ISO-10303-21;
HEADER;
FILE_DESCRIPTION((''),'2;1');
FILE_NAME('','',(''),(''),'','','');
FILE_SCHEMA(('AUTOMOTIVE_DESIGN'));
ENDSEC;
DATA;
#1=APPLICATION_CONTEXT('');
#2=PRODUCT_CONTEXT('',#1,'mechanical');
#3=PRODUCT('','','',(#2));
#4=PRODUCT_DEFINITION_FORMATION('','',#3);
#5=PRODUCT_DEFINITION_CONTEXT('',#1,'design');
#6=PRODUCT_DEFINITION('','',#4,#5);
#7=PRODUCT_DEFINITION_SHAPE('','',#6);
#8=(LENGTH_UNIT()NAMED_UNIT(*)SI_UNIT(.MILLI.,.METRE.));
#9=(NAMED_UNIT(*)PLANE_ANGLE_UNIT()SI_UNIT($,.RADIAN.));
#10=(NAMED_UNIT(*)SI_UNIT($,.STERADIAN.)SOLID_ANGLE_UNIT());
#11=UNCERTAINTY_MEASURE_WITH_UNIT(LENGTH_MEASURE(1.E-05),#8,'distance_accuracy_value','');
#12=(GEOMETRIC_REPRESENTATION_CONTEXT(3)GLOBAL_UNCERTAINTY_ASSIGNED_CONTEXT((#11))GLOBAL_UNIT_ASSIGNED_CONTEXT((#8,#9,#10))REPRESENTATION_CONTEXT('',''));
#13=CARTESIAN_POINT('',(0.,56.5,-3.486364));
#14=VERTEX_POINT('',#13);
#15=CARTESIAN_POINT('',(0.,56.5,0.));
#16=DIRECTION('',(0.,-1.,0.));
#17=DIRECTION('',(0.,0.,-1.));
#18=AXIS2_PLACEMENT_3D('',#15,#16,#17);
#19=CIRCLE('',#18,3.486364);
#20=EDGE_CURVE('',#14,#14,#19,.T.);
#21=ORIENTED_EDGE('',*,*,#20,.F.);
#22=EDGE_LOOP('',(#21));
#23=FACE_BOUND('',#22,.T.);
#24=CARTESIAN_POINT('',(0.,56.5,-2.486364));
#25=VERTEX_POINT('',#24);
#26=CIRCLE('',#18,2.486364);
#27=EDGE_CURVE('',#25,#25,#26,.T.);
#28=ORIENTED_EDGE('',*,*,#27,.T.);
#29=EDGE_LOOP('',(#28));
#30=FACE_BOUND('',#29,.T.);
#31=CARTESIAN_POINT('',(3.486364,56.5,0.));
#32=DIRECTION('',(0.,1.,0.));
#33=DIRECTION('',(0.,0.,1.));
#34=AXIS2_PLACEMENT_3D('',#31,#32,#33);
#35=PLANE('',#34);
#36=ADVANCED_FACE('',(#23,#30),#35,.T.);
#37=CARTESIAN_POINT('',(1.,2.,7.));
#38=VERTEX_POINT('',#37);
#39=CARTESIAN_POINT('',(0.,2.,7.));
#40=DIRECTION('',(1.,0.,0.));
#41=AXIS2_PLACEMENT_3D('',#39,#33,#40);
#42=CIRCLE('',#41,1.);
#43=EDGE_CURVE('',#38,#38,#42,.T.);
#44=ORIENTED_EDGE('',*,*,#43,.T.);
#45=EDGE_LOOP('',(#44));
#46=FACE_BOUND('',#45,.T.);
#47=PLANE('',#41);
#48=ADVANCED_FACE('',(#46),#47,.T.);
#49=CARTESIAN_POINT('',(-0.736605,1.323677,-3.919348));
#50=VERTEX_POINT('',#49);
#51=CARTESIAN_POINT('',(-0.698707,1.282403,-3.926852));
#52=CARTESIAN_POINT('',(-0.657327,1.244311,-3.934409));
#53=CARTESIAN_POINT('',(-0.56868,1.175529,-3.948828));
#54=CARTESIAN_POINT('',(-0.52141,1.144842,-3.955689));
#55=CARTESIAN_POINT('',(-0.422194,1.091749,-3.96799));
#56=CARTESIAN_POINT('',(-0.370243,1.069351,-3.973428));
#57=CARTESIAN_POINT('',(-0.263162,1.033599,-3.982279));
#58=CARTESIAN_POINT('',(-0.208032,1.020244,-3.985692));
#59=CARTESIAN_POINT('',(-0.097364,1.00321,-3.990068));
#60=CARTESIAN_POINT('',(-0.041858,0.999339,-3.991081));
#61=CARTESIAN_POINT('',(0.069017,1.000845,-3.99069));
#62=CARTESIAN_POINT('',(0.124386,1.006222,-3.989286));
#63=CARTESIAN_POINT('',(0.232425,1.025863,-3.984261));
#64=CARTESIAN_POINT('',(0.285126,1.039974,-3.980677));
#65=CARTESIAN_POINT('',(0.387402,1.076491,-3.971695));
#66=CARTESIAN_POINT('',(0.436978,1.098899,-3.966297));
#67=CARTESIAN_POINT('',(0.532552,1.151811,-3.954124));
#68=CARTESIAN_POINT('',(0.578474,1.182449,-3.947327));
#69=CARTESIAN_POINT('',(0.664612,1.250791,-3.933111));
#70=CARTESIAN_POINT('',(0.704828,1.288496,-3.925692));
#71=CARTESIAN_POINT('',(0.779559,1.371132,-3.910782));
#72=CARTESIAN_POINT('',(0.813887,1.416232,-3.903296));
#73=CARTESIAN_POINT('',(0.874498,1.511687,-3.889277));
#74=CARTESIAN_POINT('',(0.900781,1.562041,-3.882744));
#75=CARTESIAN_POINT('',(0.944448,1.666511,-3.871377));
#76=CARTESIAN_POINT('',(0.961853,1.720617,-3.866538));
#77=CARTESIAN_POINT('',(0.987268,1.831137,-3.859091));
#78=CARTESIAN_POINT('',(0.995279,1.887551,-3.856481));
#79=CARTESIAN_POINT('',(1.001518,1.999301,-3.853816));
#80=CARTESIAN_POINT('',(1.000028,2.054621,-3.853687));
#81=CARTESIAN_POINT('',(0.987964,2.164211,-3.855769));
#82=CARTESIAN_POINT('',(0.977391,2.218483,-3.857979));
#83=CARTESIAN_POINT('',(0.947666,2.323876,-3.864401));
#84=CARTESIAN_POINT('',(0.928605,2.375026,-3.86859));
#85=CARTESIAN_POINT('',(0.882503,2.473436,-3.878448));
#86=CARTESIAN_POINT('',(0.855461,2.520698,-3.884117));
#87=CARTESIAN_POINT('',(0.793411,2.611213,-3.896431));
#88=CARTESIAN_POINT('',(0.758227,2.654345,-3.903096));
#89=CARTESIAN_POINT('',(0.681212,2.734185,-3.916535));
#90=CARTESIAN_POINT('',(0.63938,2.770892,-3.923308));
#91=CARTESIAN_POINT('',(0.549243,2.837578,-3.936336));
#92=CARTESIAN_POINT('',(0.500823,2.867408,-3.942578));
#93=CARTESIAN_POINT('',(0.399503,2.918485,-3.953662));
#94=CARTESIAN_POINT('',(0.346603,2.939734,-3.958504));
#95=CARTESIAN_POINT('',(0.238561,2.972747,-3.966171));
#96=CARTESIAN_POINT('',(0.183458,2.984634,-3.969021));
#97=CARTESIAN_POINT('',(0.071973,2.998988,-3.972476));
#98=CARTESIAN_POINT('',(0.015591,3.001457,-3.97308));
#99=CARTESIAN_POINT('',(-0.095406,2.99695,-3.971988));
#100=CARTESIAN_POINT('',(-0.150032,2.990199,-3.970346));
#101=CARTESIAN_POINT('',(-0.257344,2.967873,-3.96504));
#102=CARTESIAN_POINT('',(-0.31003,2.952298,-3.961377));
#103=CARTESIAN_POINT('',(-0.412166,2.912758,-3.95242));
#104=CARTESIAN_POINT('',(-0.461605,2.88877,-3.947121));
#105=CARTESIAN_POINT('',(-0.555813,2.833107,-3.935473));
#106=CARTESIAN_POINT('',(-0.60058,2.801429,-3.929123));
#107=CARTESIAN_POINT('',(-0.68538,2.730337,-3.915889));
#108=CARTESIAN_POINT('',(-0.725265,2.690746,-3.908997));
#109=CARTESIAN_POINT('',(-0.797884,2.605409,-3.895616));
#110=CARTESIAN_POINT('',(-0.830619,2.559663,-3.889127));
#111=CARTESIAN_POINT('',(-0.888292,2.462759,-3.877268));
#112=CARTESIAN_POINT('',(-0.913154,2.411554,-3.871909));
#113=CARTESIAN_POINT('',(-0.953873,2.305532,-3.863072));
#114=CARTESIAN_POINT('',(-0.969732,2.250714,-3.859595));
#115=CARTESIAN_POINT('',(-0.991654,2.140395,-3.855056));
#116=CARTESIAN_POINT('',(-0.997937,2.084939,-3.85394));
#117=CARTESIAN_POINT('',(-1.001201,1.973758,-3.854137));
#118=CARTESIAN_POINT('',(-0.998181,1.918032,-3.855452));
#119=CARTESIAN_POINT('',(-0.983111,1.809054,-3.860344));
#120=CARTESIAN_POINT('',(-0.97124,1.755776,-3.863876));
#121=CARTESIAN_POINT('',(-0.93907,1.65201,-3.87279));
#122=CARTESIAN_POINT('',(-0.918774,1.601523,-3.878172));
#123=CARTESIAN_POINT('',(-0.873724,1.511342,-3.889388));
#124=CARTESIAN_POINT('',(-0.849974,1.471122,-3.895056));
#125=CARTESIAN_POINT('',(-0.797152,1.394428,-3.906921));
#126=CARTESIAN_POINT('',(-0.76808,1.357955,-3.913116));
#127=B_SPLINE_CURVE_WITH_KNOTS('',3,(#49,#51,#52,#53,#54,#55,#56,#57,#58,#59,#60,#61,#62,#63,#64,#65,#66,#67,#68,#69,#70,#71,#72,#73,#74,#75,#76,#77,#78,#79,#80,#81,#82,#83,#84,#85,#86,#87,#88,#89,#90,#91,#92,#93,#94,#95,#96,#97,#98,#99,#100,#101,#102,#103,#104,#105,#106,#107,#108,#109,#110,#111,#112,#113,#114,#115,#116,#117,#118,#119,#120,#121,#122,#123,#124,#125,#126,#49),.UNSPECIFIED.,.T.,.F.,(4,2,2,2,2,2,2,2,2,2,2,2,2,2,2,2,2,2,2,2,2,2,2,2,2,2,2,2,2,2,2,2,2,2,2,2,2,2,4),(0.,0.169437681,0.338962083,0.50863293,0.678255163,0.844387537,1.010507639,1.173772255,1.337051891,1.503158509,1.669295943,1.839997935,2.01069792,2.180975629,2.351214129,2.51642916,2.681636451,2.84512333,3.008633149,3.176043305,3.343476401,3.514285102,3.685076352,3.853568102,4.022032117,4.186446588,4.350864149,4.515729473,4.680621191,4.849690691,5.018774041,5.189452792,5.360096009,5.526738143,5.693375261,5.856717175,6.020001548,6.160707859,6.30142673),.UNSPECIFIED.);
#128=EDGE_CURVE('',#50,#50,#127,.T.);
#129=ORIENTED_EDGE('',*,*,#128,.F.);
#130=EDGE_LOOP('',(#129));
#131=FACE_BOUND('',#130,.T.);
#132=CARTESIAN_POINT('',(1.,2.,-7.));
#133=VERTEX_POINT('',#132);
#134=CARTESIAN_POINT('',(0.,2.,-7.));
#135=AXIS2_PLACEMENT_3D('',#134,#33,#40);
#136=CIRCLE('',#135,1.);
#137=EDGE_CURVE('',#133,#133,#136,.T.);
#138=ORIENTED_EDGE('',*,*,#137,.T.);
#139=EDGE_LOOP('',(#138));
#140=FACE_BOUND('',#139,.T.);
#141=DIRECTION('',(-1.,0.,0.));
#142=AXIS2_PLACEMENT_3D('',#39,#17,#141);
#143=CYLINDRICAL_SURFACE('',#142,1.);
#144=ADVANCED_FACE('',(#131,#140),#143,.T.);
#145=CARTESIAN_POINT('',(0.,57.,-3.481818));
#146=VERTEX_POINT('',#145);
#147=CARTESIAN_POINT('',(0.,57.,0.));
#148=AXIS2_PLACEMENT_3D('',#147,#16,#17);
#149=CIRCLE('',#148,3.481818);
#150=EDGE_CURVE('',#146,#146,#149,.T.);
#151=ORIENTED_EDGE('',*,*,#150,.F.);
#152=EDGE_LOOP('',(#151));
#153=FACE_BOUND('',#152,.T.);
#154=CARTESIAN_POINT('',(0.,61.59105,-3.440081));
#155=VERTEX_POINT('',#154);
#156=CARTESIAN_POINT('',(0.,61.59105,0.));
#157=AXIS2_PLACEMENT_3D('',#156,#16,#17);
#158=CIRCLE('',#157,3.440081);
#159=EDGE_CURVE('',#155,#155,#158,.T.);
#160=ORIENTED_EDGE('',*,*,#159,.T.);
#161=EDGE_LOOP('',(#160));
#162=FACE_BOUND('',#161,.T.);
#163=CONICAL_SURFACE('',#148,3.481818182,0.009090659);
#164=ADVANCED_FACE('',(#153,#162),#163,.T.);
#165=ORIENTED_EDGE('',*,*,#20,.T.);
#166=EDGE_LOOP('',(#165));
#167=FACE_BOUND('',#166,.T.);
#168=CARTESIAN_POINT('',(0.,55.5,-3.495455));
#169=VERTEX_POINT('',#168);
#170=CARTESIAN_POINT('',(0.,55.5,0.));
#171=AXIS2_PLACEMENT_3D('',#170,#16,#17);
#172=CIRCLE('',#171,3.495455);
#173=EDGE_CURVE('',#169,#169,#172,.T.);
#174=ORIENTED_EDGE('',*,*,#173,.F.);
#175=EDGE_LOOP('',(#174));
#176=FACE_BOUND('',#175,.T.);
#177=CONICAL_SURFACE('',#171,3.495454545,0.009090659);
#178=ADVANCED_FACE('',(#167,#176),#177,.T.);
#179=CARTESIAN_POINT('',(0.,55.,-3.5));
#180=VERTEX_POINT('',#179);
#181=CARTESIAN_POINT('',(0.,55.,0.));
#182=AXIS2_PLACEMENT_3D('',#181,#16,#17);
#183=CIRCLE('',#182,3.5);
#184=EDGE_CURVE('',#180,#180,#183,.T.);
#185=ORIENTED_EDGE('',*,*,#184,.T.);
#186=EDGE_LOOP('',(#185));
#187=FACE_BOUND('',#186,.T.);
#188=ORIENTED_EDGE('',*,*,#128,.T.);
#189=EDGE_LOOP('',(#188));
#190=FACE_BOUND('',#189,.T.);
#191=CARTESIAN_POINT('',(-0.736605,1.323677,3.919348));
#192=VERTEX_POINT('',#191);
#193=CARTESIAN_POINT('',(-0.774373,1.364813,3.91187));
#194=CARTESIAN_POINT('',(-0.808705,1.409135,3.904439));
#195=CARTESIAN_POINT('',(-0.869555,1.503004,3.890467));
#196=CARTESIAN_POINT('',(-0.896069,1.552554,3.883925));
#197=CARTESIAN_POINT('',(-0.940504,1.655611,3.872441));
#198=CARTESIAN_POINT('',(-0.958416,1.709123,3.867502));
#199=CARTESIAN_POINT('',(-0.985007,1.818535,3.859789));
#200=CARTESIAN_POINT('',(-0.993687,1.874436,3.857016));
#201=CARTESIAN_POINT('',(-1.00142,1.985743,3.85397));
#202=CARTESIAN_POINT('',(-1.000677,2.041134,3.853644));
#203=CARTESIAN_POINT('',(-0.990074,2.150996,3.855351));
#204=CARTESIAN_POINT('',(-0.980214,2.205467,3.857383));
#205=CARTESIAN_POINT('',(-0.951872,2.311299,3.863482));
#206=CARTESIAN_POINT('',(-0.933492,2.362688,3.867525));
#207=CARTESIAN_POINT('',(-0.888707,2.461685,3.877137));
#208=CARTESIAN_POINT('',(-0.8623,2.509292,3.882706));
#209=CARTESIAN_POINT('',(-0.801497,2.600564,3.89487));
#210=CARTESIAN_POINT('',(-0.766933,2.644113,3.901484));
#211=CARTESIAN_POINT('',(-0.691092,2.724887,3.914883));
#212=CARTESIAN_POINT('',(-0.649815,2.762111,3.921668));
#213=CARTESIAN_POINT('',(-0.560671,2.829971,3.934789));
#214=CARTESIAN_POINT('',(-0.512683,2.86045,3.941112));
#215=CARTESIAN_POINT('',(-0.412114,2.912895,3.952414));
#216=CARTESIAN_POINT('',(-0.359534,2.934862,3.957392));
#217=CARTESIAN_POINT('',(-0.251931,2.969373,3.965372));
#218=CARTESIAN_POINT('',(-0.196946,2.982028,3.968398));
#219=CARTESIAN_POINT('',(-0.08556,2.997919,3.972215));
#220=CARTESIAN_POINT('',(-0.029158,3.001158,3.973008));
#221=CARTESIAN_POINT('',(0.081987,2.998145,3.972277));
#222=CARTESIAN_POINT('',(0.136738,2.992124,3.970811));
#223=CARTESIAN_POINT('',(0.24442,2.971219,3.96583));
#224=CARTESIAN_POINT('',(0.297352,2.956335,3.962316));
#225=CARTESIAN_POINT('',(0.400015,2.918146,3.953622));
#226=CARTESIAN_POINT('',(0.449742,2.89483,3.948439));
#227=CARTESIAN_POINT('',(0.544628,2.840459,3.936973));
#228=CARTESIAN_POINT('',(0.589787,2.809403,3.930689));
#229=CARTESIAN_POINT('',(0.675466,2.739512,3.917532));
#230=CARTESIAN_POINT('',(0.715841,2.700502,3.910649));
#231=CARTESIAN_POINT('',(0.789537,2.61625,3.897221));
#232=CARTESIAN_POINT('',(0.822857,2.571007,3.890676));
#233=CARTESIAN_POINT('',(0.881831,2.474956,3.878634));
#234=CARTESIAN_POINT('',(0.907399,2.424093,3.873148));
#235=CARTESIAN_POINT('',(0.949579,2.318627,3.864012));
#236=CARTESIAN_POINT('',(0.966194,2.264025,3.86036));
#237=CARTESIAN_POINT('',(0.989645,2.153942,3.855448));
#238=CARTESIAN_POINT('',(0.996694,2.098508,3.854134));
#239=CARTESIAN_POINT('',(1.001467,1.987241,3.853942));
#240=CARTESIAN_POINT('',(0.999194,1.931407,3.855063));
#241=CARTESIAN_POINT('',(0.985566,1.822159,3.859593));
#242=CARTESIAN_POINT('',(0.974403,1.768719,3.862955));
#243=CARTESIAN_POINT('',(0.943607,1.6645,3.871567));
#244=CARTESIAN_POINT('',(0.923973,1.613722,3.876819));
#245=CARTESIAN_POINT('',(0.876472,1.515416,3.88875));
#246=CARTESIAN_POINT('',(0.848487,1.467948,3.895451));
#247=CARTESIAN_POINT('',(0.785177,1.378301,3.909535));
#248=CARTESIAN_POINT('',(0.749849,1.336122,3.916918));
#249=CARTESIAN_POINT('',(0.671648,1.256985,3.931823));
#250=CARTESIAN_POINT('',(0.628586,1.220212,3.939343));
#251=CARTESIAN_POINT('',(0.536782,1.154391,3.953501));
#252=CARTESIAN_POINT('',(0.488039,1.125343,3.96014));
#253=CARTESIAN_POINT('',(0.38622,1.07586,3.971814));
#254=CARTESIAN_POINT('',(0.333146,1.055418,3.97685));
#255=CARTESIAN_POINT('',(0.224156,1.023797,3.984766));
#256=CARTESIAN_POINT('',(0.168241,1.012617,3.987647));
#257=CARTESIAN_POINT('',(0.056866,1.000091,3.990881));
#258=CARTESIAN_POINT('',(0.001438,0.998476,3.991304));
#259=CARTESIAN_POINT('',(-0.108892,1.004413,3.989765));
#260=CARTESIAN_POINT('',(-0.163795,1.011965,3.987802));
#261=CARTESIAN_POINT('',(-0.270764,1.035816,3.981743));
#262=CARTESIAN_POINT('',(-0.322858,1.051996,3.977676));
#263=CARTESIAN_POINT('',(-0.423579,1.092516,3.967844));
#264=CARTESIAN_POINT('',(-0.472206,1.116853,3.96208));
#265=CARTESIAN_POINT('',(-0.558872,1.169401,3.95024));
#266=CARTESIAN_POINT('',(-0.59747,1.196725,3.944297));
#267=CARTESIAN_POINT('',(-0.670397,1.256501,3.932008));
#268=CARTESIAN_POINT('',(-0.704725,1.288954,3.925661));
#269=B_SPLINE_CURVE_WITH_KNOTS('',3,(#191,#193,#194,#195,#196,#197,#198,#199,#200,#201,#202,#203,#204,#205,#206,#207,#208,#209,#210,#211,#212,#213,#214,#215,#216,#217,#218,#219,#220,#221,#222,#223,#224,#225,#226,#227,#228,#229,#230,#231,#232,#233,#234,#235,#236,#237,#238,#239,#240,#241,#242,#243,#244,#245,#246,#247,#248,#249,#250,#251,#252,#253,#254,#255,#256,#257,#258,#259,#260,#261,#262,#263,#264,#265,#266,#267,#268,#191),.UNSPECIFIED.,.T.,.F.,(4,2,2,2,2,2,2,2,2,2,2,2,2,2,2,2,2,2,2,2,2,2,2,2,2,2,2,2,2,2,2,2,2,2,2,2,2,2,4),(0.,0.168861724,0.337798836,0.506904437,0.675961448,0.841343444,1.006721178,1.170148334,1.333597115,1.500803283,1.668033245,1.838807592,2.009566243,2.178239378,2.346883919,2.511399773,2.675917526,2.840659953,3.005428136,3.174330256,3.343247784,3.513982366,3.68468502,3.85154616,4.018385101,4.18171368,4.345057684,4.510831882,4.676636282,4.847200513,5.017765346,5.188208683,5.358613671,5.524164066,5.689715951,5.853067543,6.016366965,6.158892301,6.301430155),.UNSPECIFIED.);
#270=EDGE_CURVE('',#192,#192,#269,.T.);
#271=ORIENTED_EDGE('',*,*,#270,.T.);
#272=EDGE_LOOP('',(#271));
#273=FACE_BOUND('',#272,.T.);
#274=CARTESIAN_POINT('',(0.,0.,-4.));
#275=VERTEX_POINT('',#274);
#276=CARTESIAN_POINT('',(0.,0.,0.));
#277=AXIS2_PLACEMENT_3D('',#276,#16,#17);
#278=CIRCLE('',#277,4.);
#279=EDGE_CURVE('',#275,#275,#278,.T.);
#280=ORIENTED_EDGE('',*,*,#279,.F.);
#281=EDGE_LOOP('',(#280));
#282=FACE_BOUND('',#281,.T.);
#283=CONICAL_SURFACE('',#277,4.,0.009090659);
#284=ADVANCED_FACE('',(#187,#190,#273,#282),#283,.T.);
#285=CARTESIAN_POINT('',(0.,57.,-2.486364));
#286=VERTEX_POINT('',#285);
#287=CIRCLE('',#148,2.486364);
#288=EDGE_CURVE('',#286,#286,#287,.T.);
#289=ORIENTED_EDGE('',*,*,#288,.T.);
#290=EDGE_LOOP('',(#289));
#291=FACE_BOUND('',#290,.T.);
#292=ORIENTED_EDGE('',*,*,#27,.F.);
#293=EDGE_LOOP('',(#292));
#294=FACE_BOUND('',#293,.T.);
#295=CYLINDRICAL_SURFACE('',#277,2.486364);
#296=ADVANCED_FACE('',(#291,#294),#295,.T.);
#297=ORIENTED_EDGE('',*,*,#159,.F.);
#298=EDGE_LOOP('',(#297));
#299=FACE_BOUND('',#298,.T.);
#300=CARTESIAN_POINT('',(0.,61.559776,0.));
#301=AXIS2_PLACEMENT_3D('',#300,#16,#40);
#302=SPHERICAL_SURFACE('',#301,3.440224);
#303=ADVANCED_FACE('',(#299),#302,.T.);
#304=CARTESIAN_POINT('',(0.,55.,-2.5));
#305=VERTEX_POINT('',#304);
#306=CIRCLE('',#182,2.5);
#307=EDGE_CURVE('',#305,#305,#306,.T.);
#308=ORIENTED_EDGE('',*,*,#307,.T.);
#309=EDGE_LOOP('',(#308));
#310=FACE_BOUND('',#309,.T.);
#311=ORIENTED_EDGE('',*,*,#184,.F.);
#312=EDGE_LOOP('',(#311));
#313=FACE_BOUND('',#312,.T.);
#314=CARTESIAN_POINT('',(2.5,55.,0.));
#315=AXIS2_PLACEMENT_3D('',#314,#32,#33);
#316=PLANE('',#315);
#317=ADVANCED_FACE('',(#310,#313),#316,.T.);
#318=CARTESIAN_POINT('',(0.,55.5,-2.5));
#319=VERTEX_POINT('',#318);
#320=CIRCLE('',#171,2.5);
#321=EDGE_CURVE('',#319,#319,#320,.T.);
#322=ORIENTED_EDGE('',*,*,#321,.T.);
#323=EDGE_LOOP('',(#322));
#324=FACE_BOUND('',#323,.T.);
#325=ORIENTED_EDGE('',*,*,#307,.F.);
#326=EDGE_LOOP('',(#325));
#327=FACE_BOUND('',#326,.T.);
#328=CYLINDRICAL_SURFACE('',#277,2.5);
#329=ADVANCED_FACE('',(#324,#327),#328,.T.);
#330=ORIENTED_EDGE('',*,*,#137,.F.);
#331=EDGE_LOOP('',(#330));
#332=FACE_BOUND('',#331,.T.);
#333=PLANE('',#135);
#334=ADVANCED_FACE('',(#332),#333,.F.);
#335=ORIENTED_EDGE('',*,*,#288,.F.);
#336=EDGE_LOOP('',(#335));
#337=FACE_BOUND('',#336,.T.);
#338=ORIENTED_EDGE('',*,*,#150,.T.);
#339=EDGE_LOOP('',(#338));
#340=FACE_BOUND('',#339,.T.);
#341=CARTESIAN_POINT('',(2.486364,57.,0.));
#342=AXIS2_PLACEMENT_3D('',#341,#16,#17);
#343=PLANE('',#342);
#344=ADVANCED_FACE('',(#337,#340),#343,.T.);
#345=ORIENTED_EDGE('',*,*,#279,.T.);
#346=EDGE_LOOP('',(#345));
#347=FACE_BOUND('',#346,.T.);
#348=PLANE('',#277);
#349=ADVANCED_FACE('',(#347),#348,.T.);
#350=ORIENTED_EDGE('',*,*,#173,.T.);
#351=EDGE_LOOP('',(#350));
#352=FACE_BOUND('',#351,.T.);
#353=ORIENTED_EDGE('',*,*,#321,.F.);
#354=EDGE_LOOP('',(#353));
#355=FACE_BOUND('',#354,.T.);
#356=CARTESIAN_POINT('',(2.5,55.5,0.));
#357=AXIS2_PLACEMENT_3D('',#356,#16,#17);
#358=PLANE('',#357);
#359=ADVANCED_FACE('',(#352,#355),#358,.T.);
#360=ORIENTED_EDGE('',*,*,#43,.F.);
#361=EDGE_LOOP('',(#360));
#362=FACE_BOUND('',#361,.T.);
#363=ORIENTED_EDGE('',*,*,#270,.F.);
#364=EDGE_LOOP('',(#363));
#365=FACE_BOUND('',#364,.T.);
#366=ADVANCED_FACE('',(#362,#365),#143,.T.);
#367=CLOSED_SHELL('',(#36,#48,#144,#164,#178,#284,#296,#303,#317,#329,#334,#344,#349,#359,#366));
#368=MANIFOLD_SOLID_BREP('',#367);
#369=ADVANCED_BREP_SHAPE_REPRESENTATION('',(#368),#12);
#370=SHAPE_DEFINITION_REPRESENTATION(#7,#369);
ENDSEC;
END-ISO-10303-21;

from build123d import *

# Parameters (mm, degrees)
ESQUISSE2_R      = 1
EXTRUSION1_DEPTH = 7


with BuildPart() as part:
    # Esquisse1 → Révolution1 (revolve)
    with BuildSketch(Plane.XY, mode=Mode.PRIVATE) as r_volution1_sk:
        with BuildLine():
            Line((0, 0), (4, 0))
            Line((4, 0), (3.5, 55))
            Line((3.5, 55), (2.5, 55))
            Line((2.5, 55), (2.5, 55.5))
            Line((2.5, 55.5), (3.495454545, 55.5))
            Line((3.495454545, 55.5), (3.486363636, 56.5))
            Line((3.486363636, 56.5), (2.486363636, 56.5))
            Line((2.486363636, 56.5), (2.486363636, 57))
            Line((2.486363636, 57), (3.481818182, 57))
            Line((3.481818182, 57), (3.440081364, 61.591049954))
            ThreePointArc((3.440081364, 61.591049954), (2.421523292, 64.003413687), (0, 65))
            Line((0, 65), (0, 0))
        make_face()
    revolve(r_volution1_sk.sketch.rotate(Axis((0, 0, 0), (0, 1, 0)), 90), axis=Axis((0, 0, 0), (0, 1, 0)))

    # Esquisse2 → Extrusion1 (add, symmetric)
    with BuildSketch(Plane.XY):
        with Locations(Location((0, 2, 0), (0, 0, 222.556975448))):
            Circle(ESQUISSE2_R)
    extrude(amount=EXTRUSION1_DEPTH, both=True)


solid = part.part
